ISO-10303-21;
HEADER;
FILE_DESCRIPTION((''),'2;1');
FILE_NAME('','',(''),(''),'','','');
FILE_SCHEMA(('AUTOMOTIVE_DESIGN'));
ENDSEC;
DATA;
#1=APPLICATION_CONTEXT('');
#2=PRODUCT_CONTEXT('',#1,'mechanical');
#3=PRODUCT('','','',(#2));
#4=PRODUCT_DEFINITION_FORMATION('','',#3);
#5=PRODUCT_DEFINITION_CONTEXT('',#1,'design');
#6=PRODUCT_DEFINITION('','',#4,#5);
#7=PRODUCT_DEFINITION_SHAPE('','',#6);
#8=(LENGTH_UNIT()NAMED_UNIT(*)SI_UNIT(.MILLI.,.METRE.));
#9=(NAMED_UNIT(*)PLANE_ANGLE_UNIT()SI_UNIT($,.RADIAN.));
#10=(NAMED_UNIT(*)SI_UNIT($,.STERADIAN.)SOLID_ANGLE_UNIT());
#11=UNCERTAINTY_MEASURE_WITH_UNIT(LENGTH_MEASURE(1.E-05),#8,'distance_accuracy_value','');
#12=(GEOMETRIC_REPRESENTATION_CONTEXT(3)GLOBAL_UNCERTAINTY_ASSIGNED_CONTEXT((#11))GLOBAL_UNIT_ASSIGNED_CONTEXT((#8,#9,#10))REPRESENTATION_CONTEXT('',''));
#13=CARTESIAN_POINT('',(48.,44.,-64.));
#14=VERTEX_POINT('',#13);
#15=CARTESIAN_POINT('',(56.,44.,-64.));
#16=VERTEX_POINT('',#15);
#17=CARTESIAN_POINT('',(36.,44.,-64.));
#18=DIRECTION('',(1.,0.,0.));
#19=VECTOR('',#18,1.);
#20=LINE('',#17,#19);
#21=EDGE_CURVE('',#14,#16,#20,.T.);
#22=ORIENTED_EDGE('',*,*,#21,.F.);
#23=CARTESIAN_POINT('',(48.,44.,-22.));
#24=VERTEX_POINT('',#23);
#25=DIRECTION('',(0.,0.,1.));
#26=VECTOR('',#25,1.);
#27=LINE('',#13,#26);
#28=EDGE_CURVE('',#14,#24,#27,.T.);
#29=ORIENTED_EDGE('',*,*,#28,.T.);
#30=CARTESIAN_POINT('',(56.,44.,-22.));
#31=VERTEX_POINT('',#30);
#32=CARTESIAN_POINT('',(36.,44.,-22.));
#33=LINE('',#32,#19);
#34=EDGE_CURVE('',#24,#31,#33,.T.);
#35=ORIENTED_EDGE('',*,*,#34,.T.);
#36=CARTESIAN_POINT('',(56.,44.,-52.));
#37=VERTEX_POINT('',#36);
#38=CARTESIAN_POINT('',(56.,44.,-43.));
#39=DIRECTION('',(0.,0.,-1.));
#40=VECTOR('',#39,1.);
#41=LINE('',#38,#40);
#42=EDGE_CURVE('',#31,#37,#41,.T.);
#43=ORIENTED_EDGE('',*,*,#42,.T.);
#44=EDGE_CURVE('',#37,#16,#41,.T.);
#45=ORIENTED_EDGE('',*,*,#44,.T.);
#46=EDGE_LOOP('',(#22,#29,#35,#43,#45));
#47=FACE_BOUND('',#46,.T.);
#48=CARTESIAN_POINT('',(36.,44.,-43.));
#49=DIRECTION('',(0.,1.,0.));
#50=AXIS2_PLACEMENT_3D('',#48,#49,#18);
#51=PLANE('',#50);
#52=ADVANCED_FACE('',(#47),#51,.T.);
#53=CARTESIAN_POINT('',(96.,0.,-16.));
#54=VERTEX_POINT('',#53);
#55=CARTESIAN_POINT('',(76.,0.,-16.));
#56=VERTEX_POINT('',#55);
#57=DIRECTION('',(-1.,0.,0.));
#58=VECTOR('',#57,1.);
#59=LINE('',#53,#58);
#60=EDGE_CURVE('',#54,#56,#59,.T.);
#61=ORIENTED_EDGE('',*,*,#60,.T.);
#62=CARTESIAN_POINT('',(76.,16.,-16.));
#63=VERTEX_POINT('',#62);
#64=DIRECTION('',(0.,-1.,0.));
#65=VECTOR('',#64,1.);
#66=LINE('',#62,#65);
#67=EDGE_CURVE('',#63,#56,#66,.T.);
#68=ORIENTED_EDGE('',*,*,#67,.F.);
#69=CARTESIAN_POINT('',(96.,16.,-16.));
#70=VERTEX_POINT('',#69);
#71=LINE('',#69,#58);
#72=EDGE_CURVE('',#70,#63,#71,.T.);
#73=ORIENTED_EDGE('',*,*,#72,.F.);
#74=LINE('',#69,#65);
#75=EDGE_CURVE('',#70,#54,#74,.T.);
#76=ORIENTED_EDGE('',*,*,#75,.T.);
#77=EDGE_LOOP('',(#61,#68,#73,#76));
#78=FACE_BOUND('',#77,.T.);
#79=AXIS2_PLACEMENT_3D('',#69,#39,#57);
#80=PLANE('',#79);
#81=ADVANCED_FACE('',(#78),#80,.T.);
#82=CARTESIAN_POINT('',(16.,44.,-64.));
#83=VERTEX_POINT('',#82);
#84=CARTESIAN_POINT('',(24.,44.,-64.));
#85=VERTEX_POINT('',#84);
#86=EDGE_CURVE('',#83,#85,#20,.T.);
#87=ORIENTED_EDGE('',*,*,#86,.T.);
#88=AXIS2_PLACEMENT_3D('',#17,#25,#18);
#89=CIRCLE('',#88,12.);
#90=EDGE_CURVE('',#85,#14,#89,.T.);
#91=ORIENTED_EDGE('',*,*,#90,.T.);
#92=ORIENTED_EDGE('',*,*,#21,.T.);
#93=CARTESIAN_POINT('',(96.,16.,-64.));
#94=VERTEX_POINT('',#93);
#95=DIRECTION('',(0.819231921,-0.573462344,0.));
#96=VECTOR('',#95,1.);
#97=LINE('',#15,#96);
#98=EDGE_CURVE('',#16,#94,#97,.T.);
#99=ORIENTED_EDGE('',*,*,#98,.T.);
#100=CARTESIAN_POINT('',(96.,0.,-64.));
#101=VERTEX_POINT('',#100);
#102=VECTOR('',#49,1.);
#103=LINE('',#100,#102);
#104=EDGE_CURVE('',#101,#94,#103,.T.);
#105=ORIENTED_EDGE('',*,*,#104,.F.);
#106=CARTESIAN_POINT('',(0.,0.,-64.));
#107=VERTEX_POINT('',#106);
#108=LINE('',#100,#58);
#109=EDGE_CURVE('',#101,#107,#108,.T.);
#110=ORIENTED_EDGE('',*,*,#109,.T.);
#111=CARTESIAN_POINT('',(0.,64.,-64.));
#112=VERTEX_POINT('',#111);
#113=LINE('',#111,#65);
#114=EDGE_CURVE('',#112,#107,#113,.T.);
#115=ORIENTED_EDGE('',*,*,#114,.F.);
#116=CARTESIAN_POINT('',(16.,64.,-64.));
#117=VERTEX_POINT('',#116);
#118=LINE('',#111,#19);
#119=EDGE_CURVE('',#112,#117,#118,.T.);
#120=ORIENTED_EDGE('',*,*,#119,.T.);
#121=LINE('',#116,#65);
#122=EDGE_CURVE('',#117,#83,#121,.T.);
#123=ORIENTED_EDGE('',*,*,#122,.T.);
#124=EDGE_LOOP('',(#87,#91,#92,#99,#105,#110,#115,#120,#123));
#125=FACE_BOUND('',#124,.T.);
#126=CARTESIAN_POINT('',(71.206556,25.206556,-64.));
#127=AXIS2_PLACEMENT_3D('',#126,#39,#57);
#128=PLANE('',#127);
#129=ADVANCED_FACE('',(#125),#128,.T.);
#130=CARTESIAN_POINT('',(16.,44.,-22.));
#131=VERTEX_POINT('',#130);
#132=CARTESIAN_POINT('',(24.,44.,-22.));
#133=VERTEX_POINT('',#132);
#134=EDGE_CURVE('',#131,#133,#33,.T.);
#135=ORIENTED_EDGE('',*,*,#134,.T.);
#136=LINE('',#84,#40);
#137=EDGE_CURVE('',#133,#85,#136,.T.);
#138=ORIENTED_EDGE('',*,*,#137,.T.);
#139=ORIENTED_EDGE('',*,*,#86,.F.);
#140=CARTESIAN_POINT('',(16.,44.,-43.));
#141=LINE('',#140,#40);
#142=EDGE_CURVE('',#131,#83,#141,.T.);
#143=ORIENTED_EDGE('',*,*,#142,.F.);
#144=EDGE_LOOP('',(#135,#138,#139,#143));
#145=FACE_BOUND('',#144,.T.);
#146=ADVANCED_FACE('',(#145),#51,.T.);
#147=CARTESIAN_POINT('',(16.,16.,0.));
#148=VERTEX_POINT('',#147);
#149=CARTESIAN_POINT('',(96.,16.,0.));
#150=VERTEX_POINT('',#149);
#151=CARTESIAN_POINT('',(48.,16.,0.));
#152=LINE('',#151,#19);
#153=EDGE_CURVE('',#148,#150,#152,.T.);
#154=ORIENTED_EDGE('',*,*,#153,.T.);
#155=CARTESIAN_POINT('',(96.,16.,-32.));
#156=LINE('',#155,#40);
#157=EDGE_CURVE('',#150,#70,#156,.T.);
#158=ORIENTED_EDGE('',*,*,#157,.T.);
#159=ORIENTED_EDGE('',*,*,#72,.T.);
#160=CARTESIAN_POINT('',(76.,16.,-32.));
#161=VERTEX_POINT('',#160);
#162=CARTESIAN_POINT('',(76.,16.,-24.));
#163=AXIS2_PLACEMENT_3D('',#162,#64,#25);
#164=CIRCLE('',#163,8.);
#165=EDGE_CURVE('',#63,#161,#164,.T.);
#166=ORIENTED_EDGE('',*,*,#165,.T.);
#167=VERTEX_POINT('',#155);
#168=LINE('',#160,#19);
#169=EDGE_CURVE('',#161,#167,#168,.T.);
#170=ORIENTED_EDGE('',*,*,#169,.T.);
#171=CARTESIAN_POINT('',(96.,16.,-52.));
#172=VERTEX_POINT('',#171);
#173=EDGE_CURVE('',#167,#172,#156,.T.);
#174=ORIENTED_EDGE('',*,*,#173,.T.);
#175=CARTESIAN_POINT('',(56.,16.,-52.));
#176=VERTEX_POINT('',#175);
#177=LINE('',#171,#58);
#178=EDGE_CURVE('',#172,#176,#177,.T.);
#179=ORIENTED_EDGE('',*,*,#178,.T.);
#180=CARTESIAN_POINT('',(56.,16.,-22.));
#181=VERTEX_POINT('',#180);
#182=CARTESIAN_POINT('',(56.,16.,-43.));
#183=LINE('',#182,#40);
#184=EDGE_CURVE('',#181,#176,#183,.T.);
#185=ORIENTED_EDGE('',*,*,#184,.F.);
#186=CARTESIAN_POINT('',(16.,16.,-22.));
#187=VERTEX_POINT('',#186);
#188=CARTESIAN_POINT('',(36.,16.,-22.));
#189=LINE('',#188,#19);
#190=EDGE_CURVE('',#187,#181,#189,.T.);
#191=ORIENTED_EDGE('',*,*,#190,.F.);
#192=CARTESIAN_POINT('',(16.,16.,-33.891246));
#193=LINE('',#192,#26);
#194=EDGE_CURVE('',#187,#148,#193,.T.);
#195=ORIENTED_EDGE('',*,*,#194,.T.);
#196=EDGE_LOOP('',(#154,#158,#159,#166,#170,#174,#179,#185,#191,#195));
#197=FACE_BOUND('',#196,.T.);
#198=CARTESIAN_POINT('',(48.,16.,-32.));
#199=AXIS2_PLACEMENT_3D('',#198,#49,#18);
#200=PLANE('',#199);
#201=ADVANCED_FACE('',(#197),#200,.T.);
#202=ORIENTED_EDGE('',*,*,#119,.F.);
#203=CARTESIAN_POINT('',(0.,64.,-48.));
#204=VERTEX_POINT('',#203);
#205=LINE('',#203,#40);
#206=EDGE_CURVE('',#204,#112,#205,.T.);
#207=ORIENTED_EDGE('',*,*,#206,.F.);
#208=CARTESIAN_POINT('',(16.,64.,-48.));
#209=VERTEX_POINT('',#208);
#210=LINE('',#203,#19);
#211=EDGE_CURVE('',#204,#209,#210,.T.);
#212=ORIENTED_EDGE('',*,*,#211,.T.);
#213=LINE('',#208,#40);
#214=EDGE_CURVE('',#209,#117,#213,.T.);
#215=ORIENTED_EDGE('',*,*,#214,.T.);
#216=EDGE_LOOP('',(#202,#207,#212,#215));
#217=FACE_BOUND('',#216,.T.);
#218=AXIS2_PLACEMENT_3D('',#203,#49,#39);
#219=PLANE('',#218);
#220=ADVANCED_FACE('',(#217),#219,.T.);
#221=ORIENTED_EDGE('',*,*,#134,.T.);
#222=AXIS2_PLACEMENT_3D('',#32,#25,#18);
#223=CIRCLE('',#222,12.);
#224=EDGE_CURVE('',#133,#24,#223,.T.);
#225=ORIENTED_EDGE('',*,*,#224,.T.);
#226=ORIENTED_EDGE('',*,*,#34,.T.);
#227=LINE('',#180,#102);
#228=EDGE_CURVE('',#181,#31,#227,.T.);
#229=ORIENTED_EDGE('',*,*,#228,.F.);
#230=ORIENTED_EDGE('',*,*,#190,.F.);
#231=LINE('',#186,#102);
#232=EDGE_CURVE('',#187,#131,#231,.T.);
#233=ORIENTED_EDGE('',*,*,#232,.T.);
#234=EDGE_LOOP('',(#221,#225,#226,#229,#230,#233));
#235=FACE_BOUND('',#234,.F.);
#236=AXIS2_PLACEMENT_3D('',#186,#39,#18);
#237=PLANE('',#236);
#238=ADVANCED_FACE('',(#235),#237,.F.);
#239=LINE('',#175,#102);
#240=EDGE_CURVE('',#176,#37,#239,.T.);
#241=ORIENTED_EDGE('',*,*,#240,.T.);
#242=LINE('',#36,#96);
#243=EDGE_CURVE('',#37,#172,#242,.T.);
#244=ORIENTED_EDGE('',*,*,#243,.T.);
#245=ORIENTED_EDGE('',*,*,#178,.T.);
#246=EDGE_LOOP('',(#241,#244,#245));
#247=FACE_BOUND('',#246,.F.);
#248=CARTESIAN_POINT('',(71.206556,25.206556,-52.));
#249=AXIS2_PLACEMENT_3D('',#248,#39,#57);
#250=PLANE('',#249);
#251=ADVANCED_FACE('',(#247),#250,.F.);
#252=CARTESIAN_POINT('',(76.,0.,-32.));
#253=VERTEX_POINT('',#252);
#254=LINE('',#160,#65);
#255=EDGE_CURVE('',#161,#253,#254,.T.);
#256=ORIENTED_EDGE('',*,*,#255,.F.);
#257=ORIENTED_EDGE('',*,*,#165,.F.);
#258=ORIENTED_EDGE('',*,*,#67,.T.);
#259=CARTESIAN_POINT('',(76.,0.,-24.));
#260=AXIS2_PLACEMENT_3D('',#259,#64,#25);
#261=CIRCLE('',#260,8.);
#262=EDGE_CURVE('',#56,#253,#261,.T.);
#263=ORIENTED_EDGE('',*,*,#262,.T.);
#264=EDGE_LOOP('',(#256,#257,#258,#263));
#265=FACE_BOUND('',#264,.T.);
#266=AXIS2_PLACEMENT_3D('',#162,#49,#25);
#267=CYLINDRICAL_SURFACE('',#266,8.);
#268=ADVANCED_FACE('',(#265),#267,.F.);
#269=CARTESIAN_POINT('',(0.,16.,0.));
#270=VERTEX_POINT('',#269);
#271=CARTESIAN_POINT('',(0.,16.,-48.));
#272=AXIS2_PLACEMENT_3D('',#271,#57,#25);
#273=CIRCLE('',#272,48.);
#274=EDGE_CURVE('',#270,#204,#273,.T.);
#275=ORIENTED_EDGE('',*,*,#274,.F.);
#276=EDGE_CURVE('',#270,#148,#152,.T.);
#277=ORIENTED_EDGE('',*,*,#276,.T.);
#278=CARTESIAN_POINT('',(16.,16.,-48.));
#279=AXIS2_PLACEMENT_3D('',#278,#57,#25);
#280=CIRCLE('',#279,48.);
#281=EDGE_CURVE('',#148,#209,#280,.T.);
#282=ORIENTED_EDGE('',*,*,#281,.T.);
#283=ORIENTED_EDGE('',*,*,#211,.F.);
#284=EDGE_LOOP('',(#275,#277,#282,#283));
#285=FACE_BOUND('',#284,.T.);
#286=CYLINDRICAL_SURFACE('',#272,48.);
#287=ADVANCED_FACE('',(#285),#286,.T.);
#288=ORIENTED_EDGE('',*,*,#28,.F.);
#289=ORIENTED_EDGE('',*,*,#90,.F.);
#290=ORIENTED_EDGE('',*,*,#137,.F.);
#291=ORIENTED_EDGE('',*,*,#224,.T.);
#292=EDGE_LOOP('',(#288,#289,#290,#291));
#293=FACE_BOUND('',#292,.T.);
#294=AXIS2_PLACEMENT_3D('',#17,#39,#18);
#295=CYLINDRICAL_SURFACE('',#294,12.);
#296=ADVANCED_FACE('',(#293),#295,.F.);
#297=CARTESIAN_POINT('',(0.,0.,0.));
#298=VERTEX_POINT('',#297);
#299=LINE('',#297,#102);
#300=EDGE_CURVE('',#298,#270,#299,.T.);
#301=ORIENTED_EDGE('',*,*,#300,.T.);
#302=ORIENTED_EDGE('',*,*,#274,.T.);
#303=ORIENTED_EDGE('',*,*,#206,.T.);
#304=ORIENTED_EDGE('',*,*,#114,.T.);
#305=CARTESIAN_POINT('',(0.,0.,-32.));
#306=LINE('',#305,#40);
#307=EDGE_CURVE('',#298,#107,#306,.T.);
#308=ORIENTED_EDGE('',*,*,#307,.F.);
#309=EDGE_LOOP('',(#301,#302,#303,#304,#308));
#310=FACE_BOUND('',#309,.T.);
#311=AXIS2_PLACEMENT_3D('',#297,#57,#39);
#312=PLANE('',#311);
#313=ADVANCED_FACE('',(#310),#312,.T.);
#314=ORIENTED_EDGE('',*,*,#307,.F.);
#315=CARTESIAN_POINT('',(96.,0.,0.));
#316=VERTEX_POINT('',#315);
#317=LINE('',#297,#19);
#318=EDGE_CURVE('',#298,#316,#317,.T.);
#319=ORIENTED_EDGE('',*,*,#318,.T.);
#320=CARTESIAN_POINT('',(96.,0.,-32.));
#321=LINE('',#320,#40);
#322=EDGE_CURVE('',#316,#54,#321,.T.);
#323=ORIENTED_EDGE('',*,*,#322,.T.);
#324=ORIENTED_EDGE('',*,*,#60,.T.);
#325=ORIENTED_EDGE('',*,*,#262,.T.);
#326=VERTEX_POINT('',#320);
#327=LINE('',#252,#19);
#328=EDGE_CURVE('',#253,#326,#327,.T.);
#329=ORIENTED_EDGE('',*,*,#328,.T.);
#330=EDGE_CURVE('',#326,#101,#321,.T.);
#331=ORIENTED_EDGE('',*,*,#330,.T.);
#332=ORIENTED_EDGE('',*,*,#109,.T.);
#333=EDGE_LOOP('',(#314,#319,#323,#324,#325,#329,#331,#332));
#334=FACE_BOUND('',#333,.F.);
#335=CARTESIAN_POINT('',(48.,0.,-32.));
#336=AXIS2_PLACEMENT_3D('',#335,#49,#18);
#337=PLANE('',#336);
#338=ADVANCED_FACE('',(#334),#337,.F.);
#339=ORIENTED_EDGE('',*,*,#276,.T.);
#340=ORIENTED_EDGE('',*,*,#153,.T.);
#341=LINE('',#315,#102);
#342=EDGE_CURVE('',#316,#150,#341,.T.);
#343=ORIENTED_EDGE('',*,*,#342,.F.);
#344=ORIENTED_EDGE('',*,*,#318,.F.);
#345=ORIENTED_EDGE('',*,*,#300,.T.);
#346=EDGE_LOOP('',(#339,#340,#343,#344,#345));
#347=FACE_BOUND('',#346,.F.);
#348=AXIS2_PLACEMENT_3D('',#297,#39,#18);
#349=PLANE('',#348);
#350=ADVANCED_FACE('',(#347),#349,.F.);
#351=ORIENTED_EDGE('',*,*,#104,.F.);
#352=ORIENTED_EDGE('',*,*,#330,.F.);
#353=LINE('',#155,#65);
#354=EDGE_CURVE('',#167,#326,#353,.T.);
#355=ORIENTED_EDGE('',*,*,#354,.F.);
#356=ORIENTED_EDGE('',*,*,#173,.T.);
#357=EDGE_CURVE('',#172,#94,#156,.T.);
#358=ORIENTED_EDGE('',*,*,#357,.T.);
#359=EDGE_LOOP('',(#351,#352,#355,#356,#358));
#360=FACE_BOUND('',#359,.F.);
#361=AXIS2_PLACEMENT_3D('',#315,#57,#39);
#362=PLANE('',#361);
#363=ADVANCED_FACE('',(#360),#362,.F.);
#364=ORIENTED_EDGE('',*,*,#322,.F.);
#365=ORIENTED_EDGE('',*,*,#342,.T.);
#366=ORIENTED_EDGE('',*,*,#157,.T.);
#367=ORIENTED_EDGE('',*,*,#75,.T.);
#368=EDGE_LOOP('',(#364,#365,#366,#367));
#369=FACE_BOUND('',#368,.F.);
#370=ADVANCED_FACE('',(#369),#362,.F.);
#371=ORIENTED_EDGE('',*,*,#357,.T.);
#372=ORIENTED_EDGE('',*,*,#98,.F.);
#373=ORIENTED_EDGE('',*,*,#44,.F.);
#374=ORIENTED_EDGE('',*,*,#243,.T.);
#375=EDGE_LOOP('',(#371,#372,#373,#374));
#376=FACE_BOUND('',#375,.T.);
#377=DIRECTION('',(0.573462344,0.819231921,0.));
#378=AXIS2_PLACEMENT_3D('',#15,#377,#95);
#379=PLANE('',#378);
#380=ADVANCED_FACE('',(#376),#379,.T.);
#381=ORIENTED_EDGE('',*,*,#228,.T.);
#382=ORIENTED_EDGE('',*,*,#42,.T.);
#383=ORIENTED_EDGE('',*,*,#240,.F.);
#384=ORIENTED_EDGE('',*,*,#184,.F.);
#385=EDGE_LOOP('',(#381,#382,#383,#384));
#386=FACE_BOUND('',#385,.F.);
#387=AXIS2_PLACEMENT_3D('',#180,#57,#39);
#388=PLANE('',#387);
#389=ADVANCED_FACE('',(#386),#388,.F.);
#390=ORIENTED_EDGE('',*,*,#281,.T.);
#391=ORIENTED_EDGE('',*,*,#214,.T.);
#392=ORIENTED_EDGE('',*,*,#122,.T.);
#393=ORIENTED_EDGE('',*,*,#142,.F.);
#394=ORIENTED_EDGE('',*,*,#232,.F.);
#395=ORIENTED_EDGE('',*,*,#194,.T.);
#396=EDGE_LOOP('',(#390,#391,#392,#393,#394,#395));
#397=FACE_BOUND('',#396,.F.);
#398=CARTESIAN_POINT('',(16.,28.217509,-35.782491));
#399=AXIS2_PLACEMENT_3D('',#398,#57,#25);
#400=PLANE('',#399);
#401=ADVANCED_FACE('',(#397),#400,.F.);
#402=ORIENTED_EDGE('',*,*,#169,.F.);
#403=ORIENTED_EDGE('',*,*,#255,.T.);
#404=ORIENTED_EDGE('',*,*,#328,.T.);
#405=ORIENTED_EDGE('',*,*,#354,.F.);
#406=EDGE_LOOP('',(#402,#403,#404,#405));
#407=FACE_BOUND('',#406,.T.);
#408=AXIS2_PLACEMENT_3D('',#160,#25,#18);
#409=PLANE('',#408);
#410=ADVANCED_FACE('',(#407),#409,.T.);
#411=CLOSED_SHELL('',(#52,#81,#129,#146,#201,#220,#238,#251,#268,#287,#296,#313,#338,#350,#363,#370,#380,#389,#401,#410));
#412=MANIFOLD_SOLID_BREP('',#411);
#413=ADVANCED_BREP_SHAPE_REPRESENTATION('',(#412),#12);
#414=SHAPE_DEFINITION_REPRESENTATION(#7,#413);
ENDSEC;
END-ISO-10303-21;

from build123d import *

# Parameters (mm, degrees)
SKETCH1_W           = 96
SKETCH1_H           = 64
BOSS_EXTRUDE1_DEPTH = 16
CUT_EXTRUDE1_DEPTH  = 16
BOSS_EXTRUDE2_DEPTH = 16
SKETCH4_W           = 40
SKETCH4_H           = 42
BOSS_EXTRUDE3_DEPTH = 28
CUT_EXTRUDE2_START  = -42
SKETCH5_R           = 12
CUT_EXTRUDE2_DEPTH  = 42
BOSS_EXTRUDE4_DEPTH = 12


with BuildPart() as part:
    # Sketch1 → Boss-Extrude1 (new body)
    with BuildSketch(Plane(origin=(0, 0, 0), x_dir=(1, 0, 0), z_dir=(0, 1, 0))):
        with Locations((48, 32)):
            Rectangle(SKETCH1_W, SKETCH1_H)
    extrude(amount=BOSS_EXTRUDE1_DEPTH)

    # Sketch2 → Cut-Extrude1 (cut)
    with BuildSketch(Plane(origin=(0, 16, 0), x_dir=(1, 0, 0), z_dir=(0, 1, 0))):
        with BuildLine():
            Line((96, 16), (76, 16))
            ThreePointArc((76, 16), (68, 24), (76, 32))
            Line((76, 32), (96, 32))
            ThreePointArc((96, 32), (104, 24), (96, 16))
        make_face()
    extrude(amount=-CUT_EXTRUDE1_DEPTH, mode=Mode.SUBTRACT)

    # Sketch3 → Boss-Extrude2 (add)
    with BuildSketch(Plane.ZY):
        with BuildLine():
            Line((-64, 0), (0, 0))
            Line((0, 0), (0, 16))
            ThreePointArc((0, 16), (-14.058874503, 49.941125497), (-48, 64))
            Line((-48, 64), (-64, 64))
            Line((-64, 64), (-64, 0))
        make_face()
    extrude(amount=-BOSS_EXTRUDE2_DEPTH)

    # Sketch4 → Boss-Extrude3 (add)
    with BuildSketch(Plane(origin=(0, 16, 0), x_dir=(1, 0, 0), z_dir=(0, 1, 0))):
        with Locations((36, 43)):
            Rectangle(SKETCH4_W, SKETCH4_H)
    extrude(amount=BOSS_EXTRUDE3_DEPTH)

    # Sketch5 → Cut-Extrude2 (cut)
    with BuildSketch(Plane.XY.offset(-22).offset(CUT_EXTRUDE2_START)):
        with Locations((36, 44)):
            Circle(SKETCH5_R)
    extrude(amount=CUT_EXTRUDE2_DEPTH, mode=Mode.SUBTRACT)

    # Sketch8 → Boss-Extrude4 (add)
    with BuildSketch(Plane(origin=(0, 0, -64), x_dir=(-1, 0, 0), z_dir=(0, 0, -1))):
        Polygon((-56, 44), (-96, 16), (-56, 16), align=None)
    extrude(amount=-BOSS_EXTRUDE4_DEPTH)


solid = part.part
